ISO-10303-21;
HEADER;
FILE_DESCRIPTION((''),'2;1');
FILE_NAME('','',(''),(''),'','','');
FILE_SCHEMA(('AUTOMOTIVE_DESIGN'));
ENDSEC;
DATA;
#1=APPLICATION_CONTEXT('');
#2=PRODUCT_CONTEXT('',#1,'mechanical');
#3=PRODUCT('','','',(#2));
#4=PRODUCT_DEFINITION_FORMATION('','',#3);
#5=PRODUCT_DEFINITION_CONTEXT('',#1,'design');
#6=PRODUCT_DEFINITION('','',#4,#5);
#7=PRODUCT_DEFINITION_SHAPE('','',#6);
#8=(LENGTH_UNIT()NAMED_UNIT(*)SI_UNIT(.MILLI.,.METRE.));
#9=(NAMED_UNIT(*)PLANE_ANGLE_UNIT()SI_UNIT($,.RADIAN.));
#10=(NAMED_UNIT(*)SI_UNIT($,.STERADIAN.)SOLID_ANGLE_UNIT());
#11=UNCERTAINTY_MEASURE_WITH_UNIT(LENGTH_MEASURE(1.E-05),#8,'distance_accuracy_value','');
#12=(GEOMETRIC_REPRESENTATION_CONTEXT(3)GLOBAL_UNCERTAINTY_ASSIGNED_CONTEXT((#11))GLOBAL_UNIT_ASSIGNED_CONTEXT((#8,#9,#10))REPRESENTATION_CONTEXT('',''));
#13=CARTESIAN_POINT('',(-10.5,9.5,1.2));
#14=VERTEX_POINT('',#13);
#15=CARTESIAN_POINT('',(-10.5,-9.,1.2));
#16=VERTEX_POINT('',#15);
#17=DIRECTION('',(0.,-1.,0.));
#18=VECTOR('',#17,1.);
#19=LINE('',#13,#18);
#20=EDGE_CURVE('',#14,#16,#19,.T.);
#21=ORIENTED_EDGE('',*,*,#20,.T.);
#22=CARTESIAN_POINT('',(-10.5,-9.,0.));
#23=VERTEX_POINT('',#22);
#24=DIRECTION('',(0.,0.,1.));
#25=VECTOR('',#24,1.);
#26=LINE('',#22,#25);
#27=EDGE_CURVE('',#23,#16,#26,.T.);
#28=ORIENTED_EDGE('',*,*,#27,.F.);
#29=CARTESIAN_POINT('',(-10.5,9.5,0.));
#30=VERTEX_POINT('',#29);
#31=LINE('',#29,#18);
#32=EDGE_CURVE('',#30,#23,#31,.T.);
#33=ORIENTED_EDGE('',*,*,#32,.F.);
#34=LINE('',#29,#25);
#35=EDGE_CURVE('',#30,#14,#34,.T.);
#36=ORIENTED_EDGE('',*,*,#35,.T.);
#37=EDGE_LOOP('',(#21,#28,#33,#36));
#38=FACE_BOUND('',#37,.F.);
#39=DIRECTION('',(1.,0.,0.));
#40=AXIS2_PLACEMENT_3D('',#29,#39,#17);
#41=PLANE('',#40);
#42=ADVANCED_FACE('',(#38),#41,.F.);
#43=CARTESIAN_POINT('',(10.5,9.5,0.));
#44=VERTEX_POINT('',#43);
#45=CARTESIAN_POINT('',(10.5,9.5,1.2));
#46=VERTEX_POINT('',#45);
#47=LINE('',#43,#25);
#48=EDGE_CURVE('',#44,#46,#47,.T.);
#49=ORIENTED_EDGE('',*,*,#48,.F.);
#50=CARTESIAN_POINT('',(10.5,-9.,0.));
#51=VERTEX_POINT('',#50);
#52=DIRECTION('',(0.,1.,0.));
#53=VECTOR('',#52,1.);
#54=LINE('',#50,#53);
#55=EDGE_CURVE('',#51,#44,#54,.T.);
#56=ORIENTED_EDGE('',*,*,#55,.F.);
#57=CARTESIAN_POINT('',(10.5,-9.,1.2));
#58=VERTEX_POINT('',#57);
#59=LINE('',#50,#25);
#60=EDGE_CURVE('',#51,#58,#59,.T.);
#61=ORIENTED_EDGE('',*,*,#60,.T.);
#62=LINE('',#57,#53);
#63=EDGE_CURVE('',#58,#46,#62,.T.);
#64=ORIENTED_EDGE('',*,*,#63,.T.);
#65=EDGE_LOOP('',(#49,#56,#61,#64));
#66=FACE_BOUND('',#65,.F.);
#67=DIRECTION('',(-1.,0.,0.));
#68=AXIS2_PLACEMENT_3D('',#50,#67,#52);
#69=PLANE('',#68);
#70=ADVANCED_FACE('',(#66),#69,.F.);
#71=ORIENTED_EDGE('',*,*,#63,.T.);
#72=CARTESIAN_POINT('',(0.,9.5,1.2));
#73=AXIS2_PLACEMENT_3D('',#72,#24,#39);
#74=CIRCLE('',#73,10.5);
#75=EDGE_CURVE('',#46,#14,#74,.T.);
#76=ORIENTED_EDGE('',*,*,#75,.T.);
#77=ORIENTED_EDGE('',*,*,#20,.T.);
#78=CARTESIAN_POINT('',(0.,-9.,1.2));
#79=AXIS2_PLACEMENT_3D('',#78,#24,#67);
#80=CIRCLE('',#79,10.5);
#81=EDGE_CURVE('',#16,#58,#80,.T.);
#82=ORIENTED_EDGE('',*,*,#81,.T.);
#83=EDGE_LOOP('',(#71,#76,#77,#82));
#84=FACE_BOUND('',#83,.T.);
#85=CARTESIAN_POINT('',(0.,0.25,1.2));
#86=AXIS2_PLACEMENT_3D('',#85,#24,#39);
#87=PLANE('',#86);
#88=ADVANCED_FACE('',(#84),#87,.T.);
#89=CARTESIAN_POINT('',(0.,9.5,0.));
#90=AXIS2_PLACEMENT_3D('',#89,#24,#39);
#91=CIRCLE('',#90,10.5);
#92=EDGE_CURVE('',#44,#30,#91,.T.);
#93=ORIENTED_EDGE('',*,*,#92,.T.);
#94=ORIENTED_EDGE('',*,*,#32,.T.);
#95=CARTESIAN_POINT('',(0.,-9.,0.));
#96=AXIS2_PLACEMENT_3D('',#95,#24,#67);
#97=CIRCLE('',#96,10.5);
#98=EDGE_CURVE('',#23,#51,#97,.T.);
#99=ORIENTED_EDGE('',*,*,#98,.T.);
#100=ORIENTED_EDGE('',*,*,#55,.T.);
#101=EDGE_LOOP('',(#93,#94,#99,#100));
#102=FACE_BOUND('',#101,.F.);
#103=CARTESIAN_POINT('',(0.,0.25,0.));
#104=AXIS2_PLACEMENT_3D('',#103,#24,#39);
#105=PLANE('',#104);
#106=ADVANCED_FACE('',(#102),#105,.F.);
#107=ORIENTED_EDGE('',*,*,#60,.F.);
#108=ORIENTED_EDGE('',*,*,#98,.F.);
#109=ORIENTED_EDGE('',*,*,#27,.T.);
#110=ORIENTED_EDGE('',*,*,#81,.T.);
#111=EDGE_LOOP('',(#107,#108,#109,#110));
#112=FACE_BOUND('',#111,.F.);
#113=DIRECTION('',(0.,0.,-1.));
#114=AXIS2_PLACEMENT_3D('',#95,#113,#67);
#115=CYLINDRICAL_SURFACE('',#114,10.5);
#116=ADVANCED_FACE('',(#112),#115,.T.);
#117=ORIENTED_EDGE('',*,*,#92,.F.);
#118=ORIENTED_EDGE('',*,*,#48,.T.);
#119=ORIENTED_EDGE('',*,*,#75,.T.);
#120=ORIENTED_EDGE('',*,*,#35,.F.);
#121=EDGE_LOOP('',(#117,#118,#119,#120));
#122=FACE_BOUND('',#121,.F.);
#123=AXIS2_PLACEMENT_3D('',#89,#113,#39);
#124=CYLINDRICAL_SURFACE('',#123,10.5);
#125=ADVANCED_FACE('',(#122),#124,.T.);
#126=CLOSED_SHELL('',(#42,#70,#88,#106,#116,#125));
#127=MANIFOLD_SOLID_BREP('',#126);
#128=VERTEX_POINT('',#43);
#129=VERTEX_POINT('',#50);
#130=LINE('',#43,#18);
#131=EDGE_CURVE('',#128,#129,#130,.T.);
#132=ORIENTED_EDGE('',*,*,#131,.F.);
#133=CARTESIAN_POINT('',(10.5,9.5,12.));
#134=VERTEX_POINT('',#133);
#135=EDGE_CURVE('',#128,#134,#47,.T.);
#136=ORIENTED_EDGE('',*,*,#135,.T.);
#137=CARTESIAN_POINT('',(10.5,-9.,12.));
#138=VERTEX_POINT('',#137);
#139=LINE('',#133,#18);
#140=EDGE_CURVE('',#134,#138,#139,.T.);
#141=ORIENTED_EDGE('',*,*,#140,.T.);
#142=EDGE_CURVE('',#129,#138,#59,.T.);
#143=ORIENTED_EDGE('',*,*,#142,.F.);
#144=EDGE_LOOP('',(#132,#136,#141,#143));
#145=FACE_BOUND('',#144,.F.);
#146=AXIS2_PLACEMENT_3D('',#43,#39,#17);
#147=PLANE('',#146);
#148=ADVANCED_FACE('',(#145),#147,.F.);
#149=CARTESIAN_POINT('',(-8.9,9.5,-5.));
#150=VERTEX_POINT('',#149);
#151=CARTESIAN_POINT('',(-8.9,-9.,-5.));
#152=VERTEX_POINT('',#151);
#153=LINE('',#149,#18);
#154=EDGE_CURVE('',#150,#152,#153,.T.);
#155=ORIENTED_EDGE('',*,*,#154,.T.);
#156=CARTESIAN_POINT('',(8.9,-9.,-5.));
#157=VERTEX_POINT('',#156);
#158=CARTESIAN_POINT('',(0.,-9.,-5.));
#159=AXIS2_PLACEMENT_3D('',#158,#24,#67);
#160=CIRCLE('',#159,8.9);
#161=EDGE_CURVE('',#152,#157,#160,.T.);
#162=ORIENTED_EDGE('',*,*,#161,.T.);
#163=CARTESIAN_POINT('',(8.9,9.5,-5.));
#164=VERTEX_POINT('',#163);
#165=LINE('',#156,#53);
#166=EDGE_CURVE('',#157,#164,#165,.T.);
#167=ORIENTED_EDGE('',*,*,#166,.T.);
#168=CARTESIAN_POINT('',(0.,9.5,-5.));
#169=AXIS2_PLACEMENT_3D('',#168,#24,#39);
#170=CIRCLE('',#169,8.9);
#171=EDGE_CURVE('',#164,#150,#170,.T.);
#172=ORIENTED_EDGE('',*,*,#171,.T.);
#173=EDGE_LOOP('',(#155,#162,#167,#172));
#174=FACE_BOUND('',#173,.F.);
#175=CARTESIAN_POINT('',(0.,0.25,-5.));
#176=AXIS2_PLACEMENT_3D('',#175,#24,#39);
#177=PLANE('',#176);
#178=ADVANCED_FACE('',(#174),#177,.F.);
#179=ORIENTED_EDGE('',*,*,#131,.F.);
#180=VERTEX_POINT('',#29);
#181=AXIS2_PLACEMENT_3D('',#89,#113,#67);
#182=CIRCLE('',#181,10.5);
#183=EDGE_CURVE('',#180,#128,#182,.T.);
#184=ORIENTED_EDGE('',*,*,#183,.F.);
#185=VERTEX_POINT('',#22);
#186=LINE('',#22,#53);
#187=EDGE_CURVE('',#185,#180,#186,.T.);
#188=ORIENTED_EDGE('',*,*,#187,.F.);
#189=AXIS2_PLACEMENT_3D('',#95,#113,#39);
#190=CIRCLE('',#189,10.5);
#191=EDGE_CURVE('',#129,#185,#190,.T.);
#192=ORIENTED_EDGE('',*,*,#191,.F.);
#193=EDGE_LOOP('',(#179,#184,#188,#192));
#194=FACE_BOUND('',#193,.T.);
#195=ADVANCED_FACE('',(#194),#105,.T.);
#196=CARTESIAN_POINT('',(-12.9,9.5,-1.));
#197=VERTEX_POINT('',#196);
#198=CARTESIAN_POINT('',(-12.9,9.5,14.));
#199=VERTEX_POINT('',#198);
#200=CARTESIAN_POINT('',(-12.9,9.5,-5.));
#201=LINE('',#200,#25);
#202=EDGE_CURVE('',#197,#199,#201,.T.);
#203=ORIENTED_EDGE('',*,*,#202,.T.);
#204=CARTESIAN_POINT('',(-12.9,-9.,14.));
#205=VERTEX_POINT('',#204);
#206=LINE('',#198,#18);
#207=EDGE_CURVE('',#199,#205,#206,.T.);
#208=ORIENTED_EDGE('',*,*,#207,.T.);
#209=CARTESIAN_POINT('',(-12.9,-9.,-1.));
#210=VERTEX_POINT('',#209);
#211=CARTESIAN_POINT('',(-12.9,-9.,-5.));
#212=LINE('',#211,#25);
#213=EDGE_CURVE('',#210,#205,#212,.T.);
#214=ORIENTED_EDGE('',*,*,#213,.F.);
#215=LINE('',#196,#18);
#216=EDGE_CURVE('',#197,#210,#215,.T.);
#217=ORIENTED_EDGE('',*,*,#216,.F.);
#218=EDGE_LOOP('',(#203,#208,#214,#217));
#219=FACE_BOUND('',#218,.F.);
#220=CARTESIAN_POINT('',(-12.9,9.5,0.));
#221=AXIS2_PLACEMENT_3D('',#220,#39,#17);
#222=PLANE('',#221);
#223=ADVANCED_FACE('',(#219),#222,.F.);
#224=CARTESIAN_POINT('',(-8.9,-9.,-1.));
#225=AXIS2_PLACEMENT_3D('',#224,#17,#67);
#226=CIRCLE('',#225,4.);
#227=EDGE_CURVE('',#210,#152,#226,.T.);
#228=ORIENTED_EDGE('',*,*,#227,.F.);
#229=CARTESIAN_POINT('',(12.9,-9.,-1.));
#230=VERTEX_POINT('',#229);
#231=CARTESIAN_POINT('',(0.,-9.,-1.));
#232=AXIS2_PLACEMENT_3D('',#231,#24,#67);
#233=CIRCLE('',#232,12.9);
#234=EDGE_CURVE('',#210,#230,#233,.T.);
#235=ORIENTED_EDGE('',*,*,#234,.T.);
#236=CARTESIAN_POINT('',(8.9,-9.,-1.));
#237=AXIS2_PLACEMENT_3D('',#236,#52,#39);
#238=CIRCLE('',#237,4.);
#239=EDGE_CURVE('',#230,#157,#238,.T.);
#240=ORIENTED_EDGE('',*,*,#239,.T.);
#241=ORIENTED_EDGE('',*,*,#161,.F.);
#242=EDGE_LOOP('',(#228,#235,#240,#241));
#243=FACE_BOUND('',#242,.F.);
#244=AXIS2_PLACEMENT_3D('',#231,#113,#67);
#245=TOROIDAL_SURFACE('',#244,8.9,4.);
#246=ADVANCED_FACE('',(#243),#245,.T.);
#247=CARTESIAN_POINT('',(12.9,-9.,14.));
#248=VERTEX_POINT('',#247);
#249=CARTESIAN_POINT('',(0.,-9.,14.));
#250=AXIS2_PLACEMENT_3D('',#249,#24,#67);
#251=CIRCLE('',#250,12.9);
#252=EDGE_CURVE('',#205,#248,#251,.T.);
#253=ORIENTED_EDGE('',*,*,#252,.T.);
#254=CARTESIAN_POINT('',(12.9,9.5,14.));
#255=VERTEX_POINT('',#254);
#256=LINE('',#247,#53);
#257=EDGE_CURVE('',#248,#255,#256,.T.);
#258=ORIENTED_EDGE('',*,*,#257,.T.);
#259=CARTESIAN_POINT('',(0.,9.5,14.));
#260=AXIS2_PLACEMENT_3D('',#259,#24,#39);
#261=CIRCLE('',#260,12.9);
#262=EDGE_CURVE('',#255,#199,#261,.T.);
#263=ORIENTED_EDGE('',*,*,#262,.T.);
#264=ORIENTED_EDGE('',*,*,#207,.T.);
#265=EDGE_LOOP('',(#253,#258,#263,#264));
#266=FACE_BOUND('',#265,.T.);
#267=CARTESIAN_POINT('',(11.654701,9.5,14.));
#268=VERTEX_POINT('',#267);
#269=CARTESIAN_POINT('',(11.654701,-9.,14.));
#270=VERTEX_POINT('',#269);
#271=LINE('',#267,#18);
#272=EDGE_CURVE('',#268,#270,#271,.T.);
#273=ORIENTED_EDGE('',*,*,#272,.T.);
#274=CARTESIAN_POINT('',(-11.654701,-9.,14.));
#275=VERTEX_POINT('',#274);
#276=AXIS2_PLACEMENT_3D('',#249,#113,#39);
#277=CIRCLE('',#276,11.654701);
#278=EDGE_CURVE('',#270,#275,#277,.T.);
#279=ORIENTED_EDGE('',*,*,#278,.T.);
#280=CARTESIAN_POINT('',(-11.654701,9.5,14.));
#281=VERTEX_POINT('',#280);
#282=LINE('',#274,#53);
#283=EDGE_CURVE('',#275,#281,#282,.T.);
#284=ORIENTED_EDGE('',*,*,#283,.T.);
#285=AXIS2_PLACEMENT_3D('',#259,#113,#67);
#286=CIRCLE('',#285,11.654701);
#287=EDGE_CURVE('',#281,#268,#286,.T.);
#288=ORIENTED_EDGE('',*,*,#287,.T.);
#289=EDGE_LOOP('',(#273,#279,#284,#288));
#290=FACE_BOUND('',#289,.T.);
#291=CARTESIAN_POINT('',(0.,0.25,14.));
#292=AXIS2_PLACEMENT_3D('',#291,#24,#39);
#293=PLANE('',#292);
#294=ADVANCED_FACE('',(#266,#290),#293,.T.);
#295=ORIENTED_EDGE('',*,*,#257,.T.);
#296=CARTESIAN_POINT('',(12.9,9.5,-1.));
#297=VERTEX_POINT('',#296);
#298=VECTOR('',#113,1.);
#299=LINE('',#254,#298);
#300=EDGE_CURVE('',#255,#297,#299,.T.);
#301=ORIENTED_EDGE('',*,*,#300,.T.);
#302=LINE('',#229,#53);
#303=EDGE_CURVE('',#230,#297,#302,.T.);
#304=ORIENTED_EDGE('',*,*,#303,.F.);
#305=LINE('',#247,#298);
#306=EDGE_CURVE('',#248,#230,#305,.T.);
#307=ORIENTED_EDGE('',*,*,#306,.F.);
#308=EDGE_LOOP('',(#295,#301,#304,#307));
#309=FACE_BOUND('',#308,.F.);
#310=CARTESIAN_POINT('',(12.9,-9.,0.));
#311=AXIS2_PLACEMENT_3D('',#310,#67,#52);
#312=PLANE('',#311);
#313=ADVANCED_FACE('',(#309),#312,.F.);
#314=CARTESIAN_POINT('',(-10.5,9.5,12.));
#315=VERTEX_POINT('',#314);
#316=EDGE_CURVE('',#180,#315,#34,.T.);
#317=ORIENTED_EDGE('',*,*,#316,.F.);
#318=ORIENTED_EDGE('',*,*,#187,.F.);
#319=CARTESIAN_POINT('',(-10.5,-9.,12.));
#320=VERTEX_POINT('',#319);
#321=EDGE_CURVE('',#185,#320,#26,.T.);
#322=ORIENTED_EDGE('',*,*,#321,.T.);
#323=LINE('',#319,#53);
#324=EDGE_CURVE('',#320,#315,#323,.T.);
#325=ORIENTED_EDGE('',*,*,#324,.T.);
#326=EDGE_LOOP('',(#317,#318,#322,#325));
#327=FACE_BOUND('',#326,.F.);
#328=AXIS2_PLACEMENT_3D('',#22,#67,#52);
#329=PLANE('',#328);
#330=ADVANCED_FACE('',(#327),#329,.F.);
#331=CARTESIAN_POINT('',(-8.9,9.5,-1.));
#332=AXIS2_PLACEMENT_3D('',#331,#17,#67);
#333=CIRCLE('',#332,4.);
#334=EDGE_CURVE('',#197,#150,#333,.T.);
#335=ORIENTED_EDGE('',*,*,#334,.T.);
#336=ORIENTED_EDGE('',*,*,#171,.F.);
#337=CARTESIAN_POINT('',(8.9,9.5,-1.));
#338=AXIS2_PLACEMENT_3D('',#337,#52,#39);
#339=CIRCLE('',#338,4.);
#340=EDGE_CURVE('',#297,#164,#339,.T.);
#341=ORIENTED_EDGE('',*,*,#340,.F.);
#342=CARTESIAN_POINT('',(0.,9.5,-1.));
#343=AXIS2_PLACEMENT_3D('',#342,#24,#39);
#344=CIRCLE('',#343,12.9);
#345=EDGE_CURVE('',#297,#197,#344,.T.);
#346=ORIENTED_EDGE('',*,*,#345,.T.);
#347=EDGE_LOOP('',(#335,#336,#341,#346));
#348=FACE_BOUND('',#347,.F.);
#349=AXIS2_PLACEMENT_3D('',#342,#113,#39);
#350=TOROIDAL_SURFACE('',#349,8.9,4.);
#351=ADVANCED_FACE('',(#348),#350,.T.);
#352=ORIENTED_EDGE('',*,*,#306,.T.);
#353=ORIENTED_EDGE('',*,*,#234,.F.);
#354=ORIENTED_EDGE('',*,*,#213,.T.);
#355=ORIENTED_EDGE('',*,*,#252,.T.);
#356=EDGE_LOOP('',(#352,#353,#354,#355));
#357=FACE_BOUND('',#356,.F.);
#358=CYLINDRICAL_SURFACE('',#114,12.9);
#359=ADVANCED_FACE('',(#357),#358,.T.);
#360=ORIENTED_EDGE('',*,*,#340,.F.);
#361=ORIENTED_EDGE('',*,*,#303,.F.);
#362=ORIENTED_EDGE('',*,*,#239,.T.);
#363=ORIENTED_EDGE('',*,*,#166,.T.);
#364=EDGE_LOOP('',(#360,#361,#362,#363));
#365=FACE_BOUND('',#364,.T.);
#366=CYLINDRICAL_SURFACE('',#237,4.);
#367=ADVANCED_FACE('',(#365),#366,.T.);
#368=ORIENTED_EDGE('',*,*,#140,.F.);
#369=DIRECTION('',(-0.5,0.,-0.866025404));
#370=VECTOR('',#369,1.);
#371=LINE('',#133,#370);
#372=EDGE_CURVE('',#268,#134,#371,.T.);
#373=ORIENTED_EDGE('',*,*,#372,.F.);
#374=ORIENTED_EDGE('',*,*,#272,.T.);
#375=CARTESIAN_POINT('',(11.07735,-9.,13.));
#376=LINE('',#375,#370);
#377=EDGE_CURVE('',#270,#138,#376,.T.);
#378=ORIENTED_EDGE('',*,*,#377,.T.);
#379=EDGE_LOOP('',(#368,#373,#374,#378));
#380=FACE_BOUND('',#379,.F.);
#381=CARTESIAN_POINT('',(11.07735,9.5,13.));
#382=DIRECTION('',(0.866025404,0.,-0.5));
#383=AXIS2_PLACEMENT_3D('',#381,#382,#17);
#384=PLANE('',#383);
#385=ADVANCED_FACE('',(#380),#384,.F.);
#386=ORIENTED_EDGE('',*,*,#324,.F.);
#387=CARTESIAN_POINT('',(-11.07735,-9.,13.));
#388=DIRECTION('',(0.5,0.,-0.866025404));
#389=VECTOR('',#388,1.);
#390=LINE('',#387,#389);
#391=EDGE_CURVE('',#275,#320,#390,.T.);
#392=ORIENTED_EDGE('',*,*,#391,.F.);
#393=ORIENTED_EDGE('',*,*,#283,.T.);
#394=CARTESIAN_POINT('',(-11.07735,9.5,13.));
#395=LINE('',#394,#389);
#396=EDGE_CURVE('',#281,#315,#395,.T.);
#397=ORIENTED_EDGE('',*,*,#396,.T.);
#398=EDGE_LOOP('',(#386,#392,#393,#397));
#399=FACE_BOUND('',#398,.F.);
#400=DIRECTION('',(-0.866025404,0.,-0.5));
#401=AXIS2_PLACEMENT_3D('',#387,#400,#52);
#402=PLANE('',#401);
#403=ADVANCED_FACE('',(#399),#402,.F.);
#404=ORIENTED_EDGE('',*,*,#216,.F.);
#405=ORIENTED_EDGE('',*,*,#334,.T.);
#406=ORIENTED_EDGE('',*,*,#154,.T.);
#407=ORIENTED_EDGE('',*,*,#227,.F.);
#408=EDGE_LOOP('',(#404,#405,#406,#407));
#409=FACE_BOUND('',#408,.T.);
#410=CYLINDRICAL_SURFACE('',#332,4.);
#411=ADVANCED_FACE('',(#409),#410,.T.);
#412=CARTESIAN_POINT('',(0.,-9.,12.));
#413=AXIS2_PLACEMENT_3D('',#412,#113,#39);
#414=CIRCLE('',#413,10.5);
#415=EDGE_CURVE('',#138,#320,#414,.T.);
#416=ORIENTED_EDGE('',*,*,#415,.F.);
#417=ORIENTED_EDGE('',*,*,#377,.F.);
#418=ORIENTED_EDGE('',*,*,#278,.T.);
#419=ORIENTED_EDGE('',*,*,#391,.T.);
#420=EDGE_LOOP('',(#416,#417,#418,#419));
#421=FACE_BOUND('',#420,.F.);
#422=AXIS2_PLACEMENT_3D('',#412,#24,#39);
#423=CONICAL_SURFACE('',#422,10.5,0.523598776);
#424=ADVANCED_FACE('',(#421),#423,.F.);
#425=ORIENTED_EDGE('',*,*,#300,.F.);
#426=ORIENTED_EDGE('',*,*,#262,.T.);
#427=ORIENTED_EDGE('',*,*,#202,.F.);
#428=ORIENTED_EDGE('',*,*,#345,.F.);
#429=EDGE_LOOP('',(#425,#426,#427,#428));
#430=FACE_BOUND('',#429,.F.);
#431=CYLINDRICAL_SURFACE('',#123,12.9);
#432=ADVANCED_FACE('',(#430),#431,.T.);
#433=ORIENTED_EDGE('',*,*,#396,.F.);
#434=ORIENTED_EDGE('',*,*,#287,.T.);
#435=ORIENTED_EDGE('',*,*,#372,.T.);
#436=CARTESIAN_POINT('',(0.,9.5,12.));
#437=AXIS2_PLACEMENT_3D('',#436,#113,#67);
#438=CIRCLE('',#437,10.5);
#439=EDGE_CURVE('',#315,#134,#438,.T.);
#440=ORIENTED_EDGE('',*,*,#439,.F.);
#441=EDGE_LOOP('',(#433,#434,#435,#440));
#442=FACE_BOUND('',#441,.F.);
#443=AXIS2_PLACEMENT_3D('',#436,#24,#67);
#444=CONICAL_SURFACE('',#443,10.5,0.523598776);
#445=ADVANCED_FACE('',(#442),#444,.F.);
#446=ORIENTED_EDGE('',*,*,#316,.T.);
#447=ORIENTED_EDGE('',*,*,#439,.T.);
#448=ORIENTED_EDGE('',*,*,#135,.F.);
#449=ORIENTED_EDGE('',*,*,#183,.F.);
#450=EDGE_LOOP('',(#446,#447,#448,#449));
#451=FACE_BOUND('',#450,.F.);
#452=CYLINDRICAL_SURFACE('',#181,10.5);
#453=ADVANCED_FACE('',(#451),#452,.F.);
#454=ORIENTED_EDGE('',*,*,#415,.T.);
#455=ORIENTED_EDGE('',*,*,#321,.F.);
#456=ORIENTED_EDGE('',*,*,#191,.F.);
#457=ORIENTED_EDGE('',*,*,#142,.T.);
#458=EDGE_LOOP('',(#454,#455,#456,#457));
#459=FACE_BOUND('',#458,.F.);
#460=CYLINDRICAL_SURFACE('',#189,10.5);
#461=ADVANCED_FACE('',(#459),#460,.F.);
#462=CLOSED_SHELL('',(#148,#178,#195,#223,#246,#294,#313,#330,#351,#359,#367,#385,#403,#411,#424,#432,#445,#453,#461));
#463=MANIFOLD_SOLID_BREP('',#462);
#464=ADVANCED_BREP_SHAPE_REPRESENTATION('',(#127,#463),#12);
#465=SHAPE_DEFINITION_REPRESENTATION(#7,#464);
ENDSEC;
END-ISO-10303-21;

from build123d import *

# Parameters (mm, degrees)
F1_DEPTH = 5
F2_DEPTH = 14
F3_SIZE2 = 2
F3_SIZE  = 1.1547005384
F4_R     = 4
F6_DEPTH = 1.2


with BuildPart() as f1:
    # F0 (on Top) → F1 (new body)
    with BuildSketch(Plane.XY):
        with BuildLine():
            ThreePointArc((12.9, 9.5), (0, 22.4), (-12.9, 9.5))
            Line((-12.9, 9.5), (-12.9, -9))
            ThreePointArc((-12.9, -9), (0, -21.9), (12.9, -9))
            Line((12.9, -9), (12.9, 9.5))
        make_face()
        with BuildLine():
            Line((-10.5, -9), (-10.5, 9.5))
            ThreePointArc((-10.5, 9.5), (0, 20), (10.5, 9.5))
            Line((10.5, 9.5), (10.5, -9))
            ThreePointArc((10.5, -9), (0, -19.5), (-10.5, -9))
        make_face(mode=Mode.SUBTRACT)
        with BuildLine():
            ThreePointArc((10.5, 9.5), (0, 20), (-10.5, 9.5))
            Line((-10.5, 9.5), (-10.5, -9))
            ThreePointArc((-10.5, -9), (0, -19.5), (10.5, -9))
            Line((10.5, -9), (10.5, 9.5))
        make_face()
    extrude(amount=-F1_DEPTH)

    # F0 (on Top) → F2 (join)
    with BuildSketch(Plane.XY):
        with BuildLine():
            ThreePointArc((12.9, 9.5), (0, 22.4), (-12.9, 9.5))
            Line((-12.9, 9.5), (-12.9, -9))
            ThreePointArc((-12.9, -9), (0, -21.9), (12.9, -9))
            Line((12.9, -9), (12.9, 9.5))
        make_face()
        with BuildLine():
            Line((-10.5, -9), (-10.5, 9.5))
            ThreePointArc((-10.5, 9.5), (0, 20), (10.5, 9.5))
            Line((10.5, 9.5), (10.5, -9))
            ThreePointArc((10.5, -9), (0, -19.5), (-10.5, -9))
        make_face(mode=Mode.SUBTRACT)
    extrude(amount=F2_DEPTH)

    # F3
    f3_edges = [f1.edges().sort_by_distance(p)[0] for p in [
        (-10.5, 0.25, 14),
        (0, 20, 14),
        (10.5, 0.25, 14),
        (0, -19.5, 14),
    ]]
    f3_side = f1.faces().sort_by_distance((0, 21.887347, 14))[0]
    chamfer(f3_edges, length=F3_SIZE, length2=F3_SIZE2, reference=f3_side)

    # F4
    f4_edges = [f1.edges().sort_by_distance(p)[0] for p in [
        (0, 22.4, -5),
        (-12.9, 0.25, -5),
        (0, -21.9, -5),
        (12.9, 0.25, -5),
    ]]
    fillet(f4_edges, radius=F4_R)


with BuildPart() as f6:
    # F5 (on face) → F6 (new body)
    with BuildSketch(Plane.XY):
        with BuildLine():
            Line((10.5, -9), (10.5, 9.5))
            ThreePointArc((10.5, 9.5), (0, 20), (-10.5, 9.5))
            Line((-10.5, 9.5), (-10.5, -9))
            ThreePointArc((-10.5, -9), (0, -19.5), (10.5, -9))
        make_face()
    extrude(amount=F6_DEPTH)


solid = Compound([f1.part, f6.part])
